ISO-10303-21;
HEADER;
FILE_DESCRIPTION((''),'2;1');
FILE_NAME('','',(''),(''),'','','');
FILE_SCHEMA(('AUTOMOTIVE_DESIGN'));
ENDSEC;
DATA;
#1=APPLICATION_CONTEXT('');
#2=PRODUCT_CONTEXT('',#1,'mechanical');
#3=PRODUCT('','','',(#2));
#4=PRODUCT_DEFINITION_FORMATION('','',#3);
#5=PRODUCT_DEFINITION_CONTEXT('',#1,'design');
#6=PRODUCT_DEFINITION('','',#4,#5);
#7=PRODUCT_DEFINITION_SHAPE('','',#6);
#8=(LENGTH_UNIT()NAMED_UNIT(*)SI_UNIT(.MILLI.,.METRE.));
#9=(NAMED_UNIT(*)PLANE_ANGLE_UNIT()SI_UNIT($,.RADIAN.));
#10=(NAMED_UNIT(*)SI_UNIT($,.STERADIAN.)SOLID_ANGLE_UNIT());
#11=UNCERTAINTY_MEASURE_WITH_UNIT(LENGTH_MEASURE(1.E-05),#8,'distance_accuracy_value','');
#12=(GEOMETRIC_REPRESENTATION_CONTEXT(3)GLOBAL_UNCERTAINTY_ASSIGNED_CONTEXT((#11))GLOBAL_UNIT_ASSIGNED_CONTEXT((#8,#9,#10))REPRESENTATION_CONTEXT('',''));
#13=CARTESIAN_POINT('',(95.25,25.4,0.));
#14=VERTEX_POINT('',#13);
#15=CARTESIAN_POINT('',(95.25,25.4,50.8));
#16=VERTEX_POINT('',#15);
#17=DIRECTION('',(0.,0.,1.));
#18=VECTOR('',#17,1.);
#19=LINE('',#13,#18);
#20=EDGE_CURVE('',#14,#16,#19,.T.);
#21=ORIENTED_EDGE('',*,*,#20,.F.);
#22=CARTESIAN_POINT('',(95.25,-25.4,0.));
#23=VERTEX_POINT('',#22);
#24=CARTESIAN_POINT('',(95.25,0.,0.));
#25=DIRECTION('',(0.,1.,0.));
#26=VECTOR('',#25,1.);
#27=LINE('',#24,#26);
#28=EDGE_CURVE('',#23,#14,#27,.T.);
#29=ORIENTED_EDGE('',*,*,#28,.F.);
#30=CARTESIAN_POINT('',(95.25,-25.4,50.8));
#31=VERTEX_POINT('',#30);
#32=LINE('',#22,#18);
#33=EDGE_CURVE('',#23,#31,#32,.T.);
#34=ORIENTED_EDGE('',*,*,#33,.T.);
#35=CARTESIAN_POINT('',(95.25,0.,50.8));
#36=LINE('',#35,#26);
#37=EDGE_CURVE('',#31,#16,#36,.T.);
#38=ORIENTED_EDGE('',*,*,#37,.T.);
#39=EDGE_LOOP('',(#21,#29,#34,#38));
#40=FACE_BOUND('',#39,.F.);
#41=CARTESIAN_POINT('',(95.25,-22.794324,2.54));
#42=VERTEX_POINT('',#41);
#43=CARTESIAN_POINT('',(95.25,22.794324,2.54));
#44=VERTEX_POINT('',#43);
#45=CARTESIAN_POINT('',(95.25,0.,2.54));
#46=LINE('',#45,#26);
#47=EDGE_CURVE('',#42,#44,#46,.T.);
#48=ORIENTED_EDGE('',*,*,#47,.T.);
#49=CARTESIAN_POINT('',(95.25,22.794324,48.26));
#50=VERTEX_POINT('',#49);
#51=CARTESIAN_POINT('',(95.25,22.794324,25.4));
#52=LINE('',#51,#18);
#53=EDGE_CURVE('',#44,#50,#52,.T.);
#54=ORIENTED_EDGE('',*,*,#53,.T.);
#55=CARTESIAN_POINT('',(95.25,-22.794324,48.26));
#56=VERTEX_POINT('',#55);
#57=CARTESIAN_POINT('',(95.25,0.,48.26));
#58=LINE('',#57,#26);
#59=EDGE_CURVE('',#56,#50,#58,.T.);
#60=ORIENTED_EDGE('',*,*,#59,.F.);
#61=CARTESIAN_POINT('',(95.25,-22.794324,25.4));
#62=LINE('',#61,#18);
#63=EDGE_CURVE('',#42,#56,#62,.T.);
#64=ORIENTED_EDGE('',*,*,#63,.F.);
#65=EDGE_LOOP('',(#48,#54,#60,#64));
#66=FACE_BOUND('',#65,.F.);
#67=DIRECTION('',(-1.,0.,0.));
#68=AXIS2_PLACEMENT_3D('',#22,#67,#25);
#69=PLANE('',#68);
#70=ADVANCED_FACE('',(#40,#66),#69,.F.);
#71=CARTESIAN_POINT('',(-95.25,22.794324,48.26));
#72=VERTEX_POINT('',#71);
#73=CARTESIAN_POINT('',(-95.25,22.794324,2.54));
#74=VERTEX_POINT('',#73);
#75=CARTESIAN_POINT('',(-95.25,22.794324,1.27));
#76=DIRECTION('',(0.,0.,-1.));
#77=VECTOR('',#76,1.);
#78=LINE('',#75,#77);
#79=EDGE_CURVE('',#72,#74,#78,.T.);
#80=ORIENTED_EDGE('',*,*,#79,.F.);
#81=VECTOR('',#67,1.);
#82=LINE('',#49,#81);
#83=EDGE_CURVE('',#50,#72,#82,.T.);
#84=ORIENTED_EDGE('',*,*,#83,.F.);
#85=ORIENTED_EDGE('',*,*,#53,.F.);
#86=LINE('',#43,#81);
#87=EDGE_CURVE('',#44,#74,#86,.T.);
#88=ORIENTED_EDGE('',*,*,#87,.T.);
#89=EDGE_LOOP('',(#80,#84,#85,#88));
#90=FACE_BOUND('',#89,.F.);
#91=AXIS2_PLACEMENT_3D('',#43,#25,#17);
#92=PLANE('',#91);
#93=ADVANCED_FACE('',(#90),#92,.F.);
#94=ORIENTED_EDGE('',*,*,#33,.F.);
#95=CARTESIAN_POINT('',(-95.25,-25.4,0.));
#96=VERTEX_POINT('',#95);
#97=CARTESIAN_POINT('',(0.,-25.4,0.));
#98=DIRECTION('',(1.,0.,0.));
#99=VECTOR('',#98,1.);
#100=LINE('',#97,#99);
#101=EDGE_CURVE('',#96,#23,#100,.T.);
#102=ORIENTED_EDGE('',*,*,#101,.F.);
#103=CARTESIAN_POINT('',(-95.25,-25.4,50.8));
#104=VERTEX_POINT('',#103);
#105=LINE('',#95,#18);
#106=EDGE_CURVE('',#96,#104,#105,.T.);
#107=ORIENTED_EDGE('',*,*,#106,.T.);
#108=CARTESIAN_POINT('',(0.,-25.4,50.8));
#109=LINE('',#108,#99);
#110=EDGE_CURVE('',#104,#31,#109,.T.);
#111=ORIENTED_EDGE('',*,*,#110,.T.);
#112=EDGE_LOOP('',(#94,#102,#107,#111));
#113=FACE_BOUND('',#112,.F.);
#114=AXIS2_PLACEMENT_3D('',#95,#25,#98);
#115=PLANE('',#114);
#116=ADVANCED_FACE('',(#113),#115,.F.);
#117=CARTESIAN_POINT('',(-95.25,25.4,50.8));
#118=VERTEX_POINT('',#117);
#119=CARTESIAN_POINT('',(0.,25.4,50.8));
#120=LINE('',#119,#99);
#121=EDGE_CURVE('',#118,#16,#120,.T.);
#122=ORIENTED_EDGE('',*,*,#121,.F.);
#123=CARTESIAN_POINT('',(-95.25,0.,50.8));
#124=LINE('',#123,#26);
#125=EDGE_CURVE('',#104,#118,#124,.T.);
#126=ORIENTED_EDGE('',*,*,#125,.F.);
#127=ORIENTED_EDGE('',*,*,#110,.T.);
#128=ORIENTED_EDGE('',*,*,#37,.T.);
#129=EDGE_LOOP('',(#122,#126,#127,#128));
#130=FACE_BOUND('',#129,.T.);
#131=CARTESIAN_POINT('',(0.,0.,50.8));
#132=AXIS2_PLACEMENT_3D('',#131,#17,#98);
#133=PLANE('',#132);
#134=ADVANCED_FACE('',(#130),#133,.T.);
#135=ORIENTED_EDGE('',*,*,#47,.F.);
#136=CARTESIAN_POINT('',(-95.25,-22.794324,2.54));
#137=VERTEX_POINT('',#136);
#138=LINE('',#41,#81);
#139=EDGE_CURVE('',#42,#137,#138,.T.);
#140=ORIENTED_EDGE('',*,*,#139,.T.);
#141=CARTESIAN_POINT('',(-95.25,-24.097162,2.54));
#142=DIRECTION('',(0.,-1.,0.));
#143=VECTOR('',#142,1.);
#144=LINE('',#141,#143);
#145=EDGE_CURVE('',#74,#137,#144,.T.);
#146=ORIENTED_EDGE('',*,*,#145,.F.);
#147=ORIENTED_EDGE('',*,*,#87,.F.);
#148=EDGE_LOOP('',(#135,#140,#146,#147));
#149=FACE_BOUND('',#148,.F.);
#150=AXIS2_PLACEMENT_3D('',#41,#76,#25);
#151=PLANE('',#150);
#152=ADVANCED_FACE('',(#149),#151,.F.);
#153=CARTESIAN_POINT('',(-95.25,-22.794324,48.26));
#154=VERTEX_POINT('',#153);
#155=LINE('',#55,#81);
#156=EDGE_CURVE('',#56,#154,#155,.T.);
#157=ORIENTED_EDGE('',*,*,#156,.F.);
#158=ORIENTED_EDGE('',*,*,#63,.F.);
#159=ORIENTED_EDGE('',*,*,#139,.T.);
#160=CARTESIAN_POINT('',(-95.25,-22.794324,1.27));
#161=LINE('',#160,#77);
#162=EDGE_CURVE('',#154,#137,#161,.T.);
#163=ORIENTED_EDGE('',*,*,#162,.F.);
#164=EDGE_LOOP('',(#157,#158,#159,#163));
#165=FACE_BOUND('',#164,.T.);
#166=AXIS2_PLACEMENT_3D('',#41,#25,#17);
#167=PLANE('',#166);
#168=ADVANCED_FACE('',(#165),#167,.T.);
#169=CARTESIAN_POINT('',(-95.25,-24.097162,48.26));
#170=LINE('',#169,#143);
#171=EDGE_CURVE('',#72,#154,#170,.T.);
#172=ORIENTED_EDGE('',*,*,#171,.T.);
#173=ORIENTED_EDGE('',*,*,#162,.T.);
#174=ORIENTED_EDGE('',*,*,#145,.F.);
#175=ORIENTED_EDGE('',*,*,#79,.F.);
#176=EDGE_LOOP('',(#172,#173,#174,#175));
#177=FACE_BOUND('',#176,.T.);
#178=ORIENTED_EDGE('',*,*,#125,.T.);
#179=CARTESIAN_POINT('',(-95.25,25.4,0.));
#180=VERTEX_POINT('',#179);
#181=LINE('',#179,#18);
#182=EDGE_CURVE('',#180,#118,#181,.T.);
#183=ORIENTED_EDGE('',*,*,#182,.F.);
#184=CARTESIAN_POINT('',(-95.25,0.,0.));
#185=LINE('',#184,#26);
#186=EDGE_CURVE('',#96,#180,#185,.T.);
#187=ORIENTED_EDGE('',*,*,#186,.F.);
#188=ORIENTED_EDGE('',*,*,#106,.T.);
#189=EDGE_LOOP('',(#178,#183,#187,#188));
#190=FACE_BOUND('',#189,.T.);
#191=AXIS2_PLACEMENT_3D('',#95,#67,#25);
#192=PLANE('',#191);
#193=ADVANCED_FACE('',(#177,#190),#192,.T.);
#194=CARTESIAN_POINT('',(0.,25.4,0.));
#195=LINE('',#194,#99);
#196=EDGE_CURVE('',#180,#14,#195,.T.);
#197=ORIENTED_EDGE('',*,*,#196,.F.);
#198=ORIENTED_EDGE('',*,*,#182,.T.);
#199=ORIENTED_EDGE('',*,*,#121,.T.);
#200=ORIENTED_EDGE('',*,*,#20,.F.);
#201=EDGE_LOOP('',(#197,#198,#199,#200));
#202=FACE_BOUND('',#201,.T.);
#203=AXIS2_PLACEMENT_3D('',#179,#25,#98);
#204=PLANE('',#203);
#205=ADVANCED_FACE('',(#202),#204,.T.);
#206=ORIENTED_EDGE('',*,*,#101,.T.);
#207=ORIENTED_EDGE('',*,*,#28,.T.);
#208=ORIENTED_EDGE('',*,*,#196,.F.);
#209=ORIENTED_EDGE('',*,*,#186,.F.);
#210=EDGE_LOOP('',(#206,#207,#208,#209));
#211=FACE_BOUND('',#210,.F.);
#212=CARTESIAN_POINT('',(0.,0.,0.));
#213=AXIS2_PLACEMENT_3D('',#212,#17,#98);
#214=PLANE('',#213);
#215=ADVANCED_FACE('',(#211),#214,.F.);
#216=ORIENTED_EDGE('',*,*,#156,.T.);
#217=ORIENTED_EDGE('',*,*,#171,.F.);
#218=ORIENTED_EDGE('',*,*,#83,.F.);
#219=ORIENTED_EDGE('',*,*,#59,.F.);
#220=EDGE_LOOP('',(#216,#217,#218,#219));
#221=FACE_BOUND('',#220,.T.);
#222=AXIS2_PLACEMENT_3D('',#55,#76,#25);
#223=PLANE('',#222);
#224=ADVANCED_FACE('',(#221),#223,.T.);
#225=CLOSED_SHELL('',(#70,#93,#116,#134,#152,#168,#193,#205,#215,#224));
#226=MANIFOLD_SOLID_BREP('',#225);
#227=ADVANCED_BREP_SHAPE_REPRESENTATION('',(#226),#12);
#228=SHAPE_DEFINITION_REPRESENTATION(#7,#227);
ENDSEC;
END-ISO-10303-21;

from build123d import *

# Parameters (mm, degrees)
F0_W     = 190.5
F0_H     = 50.8
F1_DEPTH = 50.8
F2_W     = 45.588648
F2_H     = 45.72
F3_DEPTH = 237.56619


with BuildPart() as f1:
    # F0 (on Top) → F1 (new body)
    with BuildSketch(Plane.XY):
        Rectangle(F0_W, F0_H)
    extrude(amount=F1_DEPTH)

    # F2 (on face) → F3 (cut)
    with BuildSketch(Plane.YZ.offset(95.25)):
        with Locations((0, 25.4)):
            Rectangle(F2_W, F2_H)
    extrude(amount=-F3_DEPTH, mode=Mode.SUBTRACT)


solid = f1.part
